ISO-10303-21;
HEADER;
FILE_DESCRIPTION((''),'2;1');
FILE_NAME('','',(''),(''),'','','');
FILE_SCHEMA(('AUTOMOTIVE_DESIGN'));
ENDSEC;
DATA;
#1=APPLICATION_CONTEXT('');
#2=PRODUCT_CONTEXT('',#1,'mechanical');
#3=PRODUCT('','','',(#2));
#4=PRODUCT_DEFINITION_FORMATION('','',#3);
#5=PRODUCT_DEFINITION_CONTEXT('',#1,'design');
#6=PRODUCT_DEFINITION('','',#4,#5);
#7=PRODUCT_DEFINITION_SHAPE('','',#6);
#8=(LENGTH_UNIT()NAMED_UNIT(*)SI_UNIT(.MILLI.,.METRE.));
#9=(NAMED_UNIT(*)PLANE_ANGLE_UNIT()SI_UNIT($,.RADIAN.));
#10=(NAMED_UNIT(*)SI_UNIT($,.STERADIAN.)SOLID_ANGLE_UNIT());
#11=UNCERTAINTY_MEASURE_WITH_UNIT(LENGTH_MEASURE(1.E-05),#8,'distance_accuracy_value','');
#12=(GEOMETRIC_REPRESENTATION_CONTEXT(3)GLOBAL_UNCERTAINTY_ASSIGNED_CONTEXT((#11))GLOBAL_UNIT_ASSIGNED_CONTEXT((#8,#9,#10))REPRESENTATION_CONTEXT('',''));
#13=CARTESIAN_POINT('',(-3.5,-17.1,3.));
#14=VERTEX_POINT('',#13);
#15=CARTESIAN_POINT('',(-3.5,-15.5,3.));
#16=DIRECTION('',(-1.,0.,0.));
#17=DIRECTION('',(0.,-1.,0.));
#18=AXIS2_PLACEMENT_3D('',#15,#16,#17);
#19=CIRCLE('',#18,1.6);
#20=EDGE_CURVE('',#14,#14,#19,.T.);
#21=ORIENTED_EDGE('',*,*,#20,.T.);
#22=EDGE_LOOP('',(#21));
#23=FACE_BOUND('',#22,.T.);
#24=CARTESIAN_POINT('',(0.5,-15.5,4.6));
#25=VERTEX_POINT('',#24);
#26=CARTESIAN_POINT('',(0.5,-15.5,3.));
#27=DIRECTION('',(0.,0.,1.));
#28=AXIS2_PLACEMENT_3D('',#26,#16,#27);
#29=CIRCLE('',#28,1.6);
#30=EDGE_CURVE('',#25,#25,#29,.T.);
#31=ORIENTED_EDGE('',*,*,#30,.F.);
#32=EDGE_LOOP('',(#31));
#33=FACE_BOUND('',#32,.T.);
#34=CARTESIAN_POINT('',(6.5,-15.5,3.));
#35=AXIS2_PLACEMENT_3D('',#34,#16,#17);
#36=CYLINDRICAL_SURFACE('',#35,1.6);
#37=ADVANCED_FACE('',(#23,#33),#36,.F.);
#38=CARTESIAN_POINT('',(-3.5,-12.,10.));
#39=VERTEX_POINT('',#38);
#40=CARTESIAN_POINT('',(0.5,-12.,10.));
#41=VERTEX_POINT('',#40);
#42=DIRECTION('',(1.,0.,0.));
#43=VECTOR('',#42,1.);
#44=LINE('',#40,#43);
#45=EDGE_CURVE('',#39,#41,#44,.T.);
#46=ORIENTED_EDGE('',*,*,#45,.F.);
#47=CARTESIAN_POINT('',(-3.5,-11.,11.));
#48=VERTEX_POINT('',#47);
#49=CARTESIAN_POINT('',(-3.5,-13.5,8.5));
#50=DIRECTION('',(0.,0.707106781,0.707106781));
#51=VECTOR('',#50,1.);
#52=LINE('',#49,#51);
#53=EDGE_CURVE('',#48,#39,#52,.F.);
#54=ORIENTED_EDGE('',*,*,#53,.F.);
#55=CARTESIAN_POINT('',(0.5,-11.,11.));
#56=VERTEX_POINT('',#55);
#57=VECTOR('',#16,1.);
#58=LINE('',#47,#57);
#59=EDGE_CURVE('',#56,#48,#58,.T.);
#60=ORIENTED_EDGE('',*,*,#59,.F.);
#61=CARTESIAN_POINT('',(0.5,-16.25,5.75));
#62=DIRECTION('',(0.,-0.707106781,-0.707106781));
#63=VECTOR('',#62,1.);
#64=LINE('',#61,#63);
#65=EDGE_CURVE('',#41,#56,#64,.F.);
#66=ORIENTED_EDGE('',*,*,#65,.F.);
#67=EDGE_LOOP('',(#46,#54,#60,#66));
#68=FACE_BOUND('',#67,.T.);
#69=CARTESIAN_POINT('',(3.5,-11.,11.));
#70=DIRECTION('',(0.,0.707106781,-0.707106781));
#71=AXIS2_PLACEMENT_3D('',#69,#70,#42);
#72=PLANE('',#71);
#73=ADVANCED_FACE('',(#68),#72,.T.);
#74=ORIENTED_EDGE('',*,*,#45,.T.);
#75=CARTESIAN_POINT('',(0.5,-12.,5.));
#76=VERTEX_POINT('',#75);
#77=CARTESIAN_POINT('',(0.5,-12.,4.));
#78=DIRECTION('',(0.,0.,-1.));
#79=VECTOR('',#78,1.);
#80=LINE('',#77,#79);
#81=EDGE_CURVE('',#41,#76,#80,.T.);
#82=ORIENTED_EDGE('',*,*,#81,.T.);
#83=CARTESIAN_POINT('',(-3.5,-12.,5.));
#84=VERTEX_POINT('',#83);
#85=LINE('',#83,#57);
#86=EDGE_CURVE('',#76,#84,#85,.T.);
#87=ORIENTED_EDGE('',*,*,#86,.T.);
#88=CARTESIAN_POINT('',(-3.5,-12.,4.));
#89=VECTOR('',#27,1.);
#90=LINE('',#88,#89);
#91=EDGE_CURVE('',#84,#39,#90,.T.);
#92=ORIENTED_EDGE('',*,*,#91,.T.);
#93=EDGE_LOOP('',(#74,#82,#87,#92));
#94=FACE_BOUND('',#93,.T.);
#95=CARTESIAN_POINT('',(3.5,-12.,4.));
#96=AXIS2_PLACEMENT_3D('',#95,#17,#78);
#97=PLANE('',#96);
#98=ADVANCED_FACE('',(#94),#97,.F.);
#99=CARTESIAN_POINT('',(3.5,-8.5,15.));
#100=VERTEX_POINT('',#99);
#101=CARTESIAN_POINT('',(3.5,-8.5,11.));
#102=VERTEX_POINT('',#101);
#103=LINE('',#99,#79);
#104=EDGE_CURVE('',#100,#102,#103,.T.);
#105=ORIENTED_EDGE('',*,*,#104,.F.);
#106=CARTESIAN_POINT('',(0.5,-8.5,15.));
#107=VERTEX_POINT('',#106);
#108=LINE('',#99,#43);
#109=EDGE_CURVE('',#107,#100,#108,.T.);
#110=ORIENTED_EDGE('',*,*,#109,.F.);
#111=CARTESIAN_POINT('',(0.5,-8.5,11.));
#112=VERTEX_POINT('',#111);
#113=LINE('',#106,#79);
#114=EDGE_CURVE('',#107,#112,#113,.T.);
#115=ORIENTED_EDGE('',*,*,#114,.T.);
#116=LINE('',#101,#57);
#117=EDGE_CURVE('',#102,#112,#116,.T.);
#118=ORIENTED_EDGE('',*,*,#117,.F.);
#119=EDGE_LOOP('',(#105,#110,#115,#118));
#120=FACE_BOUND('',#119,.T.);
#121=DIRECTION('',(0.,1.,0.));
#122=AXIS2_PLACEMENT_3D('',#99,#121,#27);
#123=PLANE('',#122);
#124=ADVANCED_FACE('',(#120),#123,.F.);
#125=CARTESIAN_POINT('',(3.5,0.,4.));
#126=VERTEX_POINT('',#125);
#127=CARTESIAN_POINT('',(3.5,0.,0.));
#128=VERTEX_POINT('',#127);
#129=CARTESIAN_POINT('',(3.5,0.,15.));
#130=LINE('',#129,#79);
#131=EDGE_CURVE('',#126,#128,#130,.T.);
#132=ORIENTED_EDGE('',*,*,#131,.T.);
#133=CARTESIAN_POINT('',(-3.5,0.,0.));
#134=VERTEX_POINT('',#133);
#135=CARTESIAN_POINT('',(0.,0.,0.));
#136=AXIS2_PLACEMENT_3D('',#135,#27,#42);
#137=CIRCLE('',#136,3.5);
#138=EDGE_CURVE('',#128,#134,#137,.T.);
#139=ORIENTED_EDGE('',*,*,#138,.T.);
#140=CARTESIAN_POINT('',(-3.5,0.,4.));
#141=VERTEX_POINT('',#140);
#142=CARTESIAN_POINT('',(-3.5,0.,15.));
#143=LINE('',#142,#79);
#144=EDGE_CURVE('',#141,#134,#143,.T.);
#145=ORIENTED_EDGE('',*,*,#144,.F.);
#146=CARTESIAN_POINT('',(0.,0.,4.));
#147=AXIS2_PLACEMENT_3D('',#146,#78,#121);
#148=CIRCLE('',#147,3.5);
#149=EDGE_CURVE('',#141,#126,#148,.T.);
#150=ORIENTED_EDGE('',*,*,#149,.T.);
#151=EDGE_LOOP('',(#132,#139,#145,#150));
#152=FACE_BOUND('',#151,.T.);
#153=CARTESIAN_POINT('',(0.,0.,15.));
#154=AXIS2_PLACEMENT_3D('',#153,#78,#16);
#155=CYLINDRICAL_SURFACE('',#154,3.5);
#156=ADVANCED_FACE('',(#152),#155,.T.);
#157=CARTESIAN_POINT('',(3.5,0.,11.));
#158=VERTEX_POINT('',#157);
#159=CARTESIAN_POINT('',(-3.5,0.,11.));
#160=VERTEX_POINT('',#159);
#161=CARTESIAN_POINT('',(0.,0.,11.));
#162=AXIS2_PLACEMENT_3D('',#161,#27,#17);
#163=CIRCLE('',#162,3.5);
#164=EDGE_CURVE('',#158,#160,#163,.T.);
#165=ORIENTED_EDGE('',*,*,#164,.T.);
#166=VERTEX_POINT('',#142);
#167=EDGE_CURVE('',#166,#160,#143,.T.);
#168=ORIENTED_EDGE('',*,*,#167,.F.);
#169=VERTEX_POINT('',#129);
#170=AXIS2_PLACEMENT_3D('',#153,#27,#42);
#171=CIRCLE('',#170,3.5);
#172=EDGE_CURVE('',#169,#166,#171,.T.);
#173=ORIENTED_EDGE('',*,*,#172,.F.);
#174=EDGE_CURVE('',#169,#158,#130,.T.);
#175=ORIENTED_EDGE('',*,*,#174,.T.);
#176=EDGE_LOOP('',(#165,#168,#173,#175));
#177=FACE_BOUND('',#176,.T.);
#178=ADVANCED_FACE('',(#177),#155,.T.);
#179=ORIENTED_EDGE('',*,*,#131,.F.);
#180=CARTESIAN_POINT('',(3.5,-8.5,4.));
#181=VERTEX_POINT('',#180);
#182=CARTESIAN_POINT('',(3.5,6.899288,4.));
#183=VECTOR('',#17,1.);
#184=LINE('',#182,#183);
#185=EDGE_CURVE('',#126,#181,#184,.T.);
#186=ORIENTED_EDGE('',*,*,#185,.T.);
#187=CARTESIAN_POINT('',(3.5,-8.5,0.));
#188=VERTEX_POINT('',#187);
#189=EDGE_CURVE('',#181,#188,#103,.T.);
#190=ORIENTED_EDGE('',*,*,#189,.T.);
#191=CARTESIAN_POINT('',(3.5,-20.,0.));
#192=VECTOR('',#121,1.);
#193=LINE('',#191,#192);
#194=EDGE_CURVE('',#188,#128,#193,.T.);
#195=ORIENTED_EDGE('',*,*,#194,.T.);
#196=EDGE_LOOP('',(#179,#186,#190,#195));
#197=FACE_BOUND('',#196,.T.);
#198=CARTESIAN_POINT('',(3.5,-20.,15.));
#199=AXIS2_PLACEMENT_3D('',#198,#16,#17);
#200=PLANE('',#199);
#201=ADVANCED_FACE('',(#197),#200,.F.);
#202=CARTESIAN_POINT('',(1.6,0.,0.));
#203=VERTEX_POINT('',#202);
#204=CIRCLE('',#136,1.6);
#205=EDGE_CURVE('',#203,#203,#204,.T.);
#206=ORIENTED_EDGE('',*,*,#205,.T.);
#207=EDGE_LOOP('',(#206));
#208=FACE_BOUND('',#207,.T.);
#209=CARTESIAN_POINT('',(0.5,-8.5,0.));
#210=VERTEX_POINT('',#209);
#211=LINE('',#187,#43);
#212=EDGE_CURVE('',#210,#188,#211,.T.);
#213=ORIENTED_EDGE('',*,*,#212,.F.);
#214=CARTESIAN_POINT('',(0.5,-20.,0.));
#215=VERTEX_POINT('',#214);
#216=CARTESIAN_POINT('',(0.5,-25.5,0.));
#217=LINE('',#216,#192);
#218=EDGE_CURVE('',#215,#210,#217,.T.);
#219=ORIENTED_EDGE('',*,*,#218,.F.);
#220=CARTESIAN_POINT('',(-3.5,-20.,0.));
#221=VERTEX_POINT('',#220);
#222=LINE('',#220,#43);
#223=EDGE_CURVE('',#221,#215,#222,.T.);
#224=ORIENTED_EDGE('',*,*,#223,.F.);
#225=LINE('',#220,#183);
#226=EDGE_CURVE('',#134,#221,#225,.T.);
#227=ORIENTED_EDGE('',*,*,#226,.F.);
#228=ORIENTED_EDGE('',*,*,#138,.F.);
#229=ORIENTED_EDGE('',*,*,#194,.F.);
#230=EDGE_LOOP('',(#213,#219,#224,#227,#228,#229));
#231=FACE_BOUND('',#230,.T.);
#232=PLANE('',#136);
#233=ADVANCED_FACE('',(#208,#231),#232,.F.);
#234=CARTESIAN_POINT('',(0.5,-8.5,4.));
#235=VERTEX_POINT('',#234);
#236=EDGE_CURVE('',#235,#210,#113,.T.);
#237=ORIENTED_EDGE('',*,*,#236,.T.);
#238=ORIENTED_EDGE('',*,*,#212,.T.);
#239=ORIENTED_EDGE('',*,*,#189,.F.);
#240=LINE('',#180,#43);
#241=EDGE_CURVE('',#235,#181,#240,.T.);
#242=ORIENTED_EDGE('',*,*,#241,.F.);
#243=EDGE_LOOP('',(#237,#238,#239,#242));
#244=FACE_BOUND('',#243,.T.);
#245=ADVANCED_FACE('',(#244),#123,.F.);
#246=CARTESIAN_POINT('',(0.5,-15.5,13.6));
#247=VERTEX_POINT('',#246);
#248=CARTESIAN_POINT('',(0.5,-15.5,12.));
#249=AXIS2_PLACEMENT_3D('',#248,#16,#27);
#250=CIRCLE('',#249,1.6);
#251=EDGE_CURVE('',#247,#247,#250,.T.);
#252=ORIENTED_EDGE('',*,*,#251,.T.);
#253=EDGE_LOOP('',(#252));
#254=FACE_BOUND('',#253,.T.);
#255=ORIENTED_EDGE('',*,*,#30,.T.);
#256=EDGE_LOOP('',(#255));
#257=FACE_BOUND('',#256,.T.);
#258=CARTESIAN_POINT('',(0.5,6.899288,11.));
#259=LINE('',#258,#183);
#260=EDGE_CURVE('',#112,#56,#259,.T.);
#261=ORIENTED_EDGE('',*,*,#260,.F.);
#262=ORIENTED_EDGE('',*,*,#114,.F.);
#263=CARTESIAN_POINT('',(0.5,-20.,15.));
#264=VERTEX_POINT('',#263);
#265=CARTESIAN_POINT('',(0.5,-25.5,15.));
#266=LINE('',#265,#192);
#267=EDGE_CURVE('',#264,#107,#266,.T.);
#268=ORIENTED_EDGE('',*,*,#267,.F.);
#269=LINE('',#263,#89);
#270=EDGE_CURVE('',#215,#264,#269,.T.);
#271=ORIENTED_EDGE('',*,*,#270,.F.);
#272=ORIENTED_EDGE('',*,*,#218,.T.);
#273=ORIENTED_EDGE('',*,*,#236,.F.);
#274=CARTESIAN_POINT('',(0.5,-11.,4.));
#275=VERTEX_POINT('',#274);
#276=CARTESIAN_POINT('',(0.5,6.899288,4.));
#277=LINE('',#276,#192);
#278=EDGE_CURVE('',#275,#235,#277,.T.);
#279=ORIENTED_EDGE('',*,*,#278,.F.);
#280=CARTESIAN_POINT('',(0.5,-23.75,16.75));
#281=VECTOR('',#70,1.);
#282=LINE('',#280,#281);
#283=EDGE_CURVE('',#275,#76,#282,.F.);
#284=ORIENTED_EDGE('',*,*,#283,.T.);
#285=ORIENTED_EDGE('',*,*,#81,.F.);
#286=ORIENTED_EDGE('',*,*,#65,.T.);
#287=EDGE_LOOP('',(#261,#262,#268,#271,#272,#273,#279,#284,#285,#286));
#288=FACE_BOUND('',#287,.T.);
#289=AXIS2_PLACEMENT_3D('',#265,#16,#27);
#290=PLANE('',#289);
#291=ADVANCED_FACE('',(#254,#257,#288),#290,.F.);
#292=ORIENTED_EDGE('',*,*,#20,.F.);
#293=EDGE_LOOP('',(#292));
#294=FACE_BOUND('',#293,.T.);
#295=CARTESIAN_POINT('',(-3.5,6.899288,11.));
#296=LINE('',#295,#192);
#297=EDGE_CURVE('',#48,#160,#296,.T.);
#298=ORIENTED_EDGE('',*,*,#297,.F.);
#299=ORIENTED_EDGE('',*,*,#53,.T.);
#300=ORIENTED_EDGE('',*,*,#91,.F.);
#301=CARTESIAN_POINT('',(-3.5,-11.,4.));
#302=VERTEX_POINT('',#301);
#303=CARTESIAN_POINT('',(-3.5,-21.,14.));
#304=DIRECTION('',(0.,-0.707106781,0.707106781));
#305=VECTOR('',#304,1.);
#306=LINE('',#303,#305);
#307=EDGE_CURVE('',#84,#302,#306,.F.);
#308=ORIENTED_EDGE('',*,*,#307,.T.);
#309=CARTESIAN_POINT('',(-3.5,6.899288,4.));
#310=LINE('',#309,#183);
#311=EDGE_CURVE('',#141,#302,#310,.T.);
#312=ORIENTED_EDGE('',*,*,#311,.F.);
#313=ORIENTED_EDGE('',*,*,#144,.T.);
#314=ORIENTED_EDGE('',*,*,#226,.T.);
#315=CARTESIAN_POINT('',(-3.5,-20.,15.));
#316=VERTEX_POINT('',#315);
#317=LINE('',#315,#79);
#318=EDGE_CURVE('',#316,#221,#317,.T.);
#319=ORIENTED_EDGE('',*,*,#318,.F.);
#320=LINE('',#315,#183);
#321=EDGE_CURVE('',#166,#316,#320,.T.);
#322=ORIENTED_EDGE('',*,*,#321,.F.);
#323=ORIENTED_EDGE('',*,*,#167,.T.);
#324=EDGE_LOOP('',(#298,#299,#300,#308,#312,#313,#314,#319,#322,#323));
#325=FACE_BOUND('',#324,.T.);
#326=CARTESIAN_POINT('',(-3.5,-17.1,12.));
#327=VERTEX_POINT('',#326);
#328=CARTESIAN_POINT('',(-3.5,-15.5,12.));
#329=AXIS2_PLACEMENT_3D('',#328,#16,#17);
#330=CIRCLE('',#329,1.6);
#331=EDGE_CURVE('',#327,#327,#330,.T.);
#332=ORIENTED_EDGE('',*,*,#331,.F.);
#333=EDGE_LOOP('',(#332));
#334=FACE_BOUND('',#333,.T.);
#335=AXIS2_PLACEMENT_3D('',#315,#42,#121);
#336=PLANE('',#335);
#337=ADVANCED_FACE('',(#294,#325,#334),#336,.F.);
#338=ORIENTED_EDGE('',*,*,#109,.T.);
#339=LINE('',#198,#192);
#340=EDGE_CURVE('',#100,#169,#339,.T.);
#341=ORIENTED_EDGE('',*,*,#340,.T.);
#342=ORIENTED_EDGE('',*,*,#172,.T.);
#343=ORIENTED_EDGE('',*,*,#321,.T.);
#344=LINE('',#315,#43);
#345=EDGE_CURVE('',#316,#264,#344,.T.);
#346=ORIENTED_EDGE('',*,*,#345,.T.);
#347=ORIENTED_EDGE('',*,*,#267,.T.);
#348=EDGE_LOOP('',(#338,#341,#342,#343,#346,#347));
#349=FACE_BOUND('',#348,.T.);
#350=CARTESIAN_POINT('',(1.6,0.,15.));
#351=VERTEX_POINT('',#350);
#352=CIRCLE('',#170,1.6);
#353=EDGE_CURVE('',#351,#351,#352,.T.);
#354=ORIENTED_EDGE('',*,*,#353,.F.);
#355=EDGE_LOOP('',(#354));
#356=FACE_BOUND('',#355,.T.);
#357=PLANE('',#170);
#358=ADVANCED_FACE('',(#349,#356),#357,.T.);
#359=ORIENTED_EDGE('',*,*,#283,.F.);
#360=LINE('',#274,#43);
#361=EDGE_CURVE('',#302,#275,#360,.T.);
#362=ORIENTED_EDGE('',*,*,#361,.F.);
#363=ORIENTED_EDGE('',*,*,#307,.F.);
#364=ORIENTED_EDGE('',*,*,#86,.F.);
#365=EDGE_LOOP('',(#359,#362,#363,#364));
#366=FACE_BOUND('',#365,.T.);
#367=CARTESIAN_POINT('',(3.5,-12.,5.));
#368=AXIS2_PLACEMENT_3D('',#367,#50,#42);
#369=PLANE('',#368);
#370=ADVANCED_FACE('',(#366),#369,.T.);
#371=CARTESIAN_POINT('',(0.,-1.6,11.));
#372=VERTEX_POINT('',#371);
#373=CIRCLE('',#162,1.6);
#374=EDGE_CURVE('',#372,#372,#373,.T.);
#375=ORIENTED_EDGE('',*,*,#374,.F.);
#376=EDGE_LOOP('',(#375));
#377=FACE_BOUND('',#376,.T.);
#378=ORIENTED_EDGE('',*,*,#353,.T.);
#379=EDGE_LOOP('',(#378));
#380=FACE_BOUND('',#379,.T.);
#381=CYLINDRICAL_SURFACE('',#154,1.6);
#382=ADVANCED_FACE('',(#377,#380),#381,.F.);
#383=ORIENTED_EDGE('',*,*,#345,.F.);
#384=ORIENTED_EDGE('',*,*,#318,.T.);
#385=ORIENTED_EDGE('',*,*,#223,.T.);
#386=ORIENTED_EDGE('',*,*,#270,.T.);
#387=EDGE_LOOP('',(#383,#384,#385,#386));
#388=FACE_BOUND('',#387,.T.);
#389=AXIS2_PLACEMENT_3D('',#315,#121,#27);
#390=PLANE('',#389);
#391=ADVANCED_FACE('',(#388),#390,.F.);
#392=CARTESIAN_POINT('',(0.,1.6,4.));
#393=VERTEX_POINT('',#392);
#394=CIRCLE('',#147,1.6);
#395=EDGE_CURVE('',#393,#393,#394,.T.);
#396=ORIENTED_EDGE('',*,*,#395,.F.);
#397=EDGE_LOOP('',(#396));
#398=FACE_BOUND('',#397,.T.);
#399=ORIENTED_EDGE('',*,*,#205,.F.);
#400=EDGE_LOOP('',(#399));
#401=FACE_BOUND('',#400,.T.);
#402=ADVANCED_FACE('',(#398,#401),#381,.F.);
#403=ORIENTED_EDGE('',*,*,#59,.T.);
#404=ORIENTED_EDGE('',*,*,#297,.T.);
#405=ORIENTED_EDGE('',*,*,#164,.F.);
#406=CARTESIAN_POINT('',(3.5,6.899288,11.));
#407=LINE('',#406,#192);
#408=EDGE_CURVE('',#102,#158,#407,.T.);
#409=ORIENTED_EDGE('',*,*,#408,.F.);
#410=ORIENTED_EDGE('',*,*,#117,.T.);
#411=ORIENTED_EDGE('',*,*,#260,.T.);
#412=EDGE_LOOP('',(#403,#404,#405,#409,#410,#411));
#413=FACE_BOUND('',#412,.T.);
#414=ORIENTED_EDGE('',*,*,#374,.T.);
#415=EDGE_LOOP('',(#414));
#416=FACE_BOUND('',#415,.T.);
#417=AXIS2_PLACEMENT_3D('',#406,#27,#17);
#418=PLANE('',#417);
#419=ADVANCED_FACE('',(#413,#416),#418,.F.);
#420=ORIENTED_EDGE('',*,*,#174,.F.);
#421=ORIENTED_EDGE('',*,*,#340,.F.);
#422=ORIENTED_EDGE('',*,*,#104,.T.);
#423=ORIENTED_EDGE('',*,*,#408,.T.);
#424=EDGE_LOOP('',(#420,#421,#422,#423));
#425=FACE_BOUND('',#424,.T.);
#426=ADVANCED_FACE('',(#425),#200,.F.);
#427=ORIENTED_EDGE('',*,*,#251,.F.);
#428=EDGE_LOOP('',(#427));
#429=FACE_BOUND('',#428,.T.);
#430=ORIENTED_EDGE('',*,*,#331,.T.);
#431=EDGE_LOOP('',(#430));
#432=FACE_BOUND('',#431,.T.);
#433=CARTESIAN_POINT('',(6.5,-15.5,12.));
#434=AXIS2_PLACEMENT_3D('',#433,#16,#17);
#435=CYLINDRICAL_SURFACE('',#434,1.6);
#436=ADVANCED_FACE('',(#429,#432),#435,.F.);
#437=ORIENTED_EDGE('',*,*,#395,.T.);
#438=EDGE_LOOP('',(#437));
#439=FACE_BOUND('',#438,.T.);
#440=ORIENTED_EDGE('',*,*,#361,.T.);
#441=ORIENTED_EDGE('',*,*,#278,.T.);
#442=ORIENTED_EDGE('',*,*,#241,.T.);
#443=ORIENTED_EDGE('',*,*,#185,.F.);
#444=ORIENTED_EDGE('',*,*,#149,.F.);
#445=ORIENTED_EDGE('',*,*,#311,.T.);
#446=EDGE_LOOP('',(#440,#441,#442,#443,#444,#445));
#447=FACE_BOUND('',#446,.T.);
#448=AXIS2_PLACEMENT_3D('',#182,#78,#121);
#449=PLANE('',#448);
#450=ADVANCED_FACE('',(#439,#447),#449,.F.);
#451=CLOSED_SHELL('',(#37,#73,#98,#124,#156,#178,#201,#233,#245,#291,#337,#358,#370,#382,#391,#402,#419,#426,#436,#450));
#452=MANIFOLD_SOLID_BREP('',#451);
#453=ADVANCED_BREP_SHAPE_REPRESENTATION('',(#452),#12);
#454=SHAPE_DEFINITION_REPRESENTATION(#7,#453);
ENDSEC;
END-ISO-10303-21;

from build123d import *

# Parameters (mm, degrees)
SKETCH_1_R          = 1.6
EXTRUDE_1_DEPTH     = 15
SKETCH_3_W          = 7
SKETCH_3_H          = 18.899287815
CUT_EXTRUDE_2_DEPTH = 26.961509971
SKETCH_4_W          = 3
SKETCH_4_H          = 17
CUT_EXTRUDE_3_DEPTH = 26.243811123
SKETCH_5_R          = 1.6
CUT_EXTRUDE_4_DEPTH = 10
CHAMFER_1_SIZE      = 1


with BuildPart() as part:
    # 草图1 → 凸台-拉伸1 (new body)
    with BuildSketch(Plane.XY):
        with BuildLine():
            Line((-3.5, -20), (-3.5, 0))
            ThreePointArc((-3.5, 0), (0, 3.5), (3.5, 0))
            Line((3.5, 0), (3.5, -20))
            Line((3.5, -20), (-3.5, -20))
        make_face()
        Circle(SKETCH_1_R, mode=Mode.SUBTRACT)
    extrude(amount=EXTRUDE_1_DEPTH)

    # 草图3 → 切除-拉伸2 (cut, through all)
    with BuildSketch(Plane.ZY.offset(3.5)):
        with Locations((7.5, -2.550356092)):
            Rectangle(SKETCH_3_W, SKETCH_3_H)
    extrude(amount=-CUT_EXTRUDE_2_DEPTH, mode=Mode.SUBTRACT)

    # 草图4 → 切除-拉伸3 (cut, through all)
    with BuildSketch(Plane(origin=(0, 0, 0), x_dir=(-1, 0, 0), z_dir=(0, 0, -1))):
        with Locations((-2, -17)):
            Rectangle(SKETCH_4_W, SKETCH_4_H)
    extrude(amount=-CUT_EXTRUDE_3_DEPTH, mode=Mode.SUBTRACT)

    # 草图5 → 切除-拉伸4 (cut)
    with BuildSketch(Plane.ZY.offset(3.5)):
        with Locations(Location((12, -15.5, 0), (0, 0, 270))):
            Circle(SKETCH_5_R)
        with Locations(Location((3, -15.5, 0), (0, 0, 270))):
            Circle(SKETCH_5_R)
    extrude(amount=-CUT_EXTRUDE_4_DEPTH, mode=Mode.SUBTRACT)

    # 倒角1
    chamfer_1_edges = [part.edges().sort_by_distance(p)[0] for p in [
        (-1.5, -12, 11),
        (-1.5, -12, 4),
    ]]
    chamfer(chamfer_1_edges, length=CHAMFER_1_SIZE)


solid = part.part
